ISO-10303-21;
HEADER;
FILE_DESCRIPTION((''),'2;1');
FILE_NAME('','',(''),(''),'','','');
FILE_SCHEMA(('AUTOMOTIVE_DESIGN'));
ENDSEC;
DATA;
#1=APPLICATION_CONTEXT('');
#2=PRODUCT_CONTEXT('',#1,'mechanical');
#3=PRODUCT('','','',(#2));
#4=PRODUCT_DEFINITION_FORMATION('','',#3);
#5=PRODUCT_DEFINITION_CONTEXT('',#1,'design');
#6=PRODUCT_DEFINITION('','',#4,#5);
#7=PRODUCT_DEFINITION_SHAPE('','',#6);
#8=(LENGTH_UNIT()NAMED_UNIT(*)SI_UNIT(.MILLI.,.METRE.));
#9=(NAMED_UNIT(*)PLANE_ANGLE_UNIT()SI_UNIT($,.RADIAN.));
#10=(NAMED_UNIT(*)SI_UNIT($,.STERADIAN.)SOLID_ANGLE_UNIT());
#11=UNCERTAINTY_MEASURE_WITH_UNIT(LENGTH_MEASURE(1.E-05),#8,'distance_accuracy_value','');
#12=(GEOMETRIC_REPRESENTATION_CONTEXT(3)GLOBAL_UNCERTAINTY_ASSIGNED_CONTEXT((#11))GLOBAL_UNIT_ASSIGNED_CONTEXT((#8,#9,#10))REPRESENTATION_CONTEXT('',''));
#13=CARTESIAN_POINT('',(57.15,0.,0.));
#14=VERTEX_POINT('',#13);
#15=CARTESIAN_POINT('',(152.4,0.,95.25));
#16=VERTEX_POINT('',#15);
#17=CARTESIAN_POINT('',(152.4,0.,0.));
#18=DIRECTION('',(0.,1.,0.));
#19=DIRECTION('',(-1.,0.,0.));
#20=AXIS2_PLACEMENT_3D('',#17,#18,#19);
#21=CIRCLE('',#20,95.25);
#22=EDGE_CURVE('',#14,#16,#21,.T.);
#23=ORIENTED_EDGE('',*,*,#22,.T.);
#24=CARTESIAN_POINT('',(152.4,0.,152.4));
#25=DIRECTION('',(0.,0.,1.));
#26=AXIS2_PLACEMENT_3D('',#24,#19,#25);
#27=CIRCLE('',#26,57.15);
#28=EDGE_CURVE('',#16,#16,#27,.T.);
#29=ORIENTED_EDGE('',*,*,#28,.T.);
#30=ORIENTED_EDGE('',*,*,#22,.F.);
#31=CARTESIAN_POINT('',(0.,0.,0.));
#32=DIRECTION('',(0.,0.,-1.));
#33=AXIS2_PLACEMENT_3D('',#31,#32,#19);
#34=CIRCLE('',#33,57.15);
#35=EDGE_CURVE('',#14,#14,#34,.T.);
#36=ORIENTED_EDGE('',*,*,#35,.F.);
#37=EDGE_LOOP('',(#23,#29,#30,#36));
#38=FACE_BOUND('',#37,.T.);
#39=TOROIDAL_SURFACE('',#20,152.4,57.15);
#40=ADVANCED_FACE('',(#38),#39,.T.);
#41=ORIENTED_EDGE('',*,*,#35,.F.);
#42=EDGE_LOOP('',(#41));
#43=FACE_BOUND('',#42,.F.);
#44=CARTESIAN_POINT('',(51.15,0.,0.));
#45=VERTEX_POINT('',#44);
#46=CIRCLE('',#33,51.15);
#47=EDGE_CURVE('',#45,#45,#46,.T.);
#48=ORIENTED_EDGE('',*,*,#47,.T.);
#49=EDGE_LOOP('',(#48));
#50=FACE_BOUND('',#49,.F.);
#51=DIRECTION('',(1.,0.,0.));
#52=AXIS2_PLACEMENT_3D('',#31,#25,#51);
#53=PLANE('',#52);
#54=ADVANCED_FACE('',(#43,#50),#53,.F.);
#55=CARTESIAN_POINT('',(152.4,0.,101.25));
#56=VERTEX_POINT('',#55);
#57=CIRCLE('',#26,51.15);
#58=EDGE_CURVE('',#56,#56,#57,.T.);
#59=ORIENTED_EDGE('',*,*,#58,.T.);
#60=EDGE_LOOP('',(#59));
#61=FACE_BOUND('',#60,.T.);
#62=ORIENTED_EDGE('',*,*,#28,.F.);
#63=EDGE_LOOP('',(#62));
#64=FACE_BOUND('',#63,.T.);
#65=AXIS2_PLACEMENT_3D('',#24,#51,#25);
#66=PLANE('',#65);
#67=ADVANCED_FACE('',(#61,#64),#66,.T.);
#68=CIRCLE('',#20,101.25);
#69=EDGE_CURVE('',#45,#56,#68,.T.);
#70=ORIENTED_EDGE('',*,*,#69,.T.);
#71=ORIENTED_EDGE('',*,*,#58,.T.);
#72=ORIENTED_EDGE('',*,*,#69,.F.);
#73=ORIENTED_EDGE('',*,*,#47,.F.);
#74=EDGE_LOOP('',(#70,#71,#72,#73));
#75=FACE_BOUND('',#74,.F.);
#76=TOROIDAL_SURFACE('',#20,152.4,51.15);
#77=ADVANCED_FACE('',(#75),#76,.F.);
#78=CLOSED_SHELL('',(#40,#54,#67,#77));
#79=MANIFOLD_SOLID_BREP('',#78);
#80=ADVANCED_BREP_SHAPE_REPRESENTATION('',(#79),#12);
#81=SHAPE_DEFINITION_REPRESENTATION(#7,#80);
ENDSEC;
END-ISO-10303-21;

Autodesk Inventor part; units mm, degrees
ref_plane "YZ Plane" through (0, 0, 0) normal (1, 0, 0) x (0, 1, 0)
ref_plane "XZ Plane" through (0, 0, 0) normal (0, 1, 0) x (-1, 0, 0)
ref_plane "XY Plane" through (0, 0, 0) normal (0, 0, 1) x (1, 0, 0)
sketch "Sketch1" plane through (0, 0, 0) normal (0, 0, 1) x (1, 0, 0)
  circle A0 centre (0, 0) radius 51.15
  circle A1 centre (0, 0) radius 57.15
  dimension "d0" = 102.3
  dimension "d1" = 114.3
sketch "Sketch2" plane through (0, 0, 0) normal (0, 1, 0) x (-1, 0, 0)
  line L0 (0, 0) -> (0, 152.4) construction
  line L1 (0, 152.4) -> (-152.4, 152.4) construction
  arc A0 (0, 0) -> (-152.4, 152.4) centre (-152.4, 0) ccw
  dimension "d2" = 152.4
  dimension "d3" = 90
  dimension "d4" = 152.4
sweep "Sweep1" add profiles "Sketch1" path "Sketch2"
equation "\"d0\" = D - 2 * T"
equation "\"d1\" = D"
equation "\"d2\" = F1"
equation "\"d4\" = F1"
equation "\"D\" = 114.3"
equation "\"F1\" = 152.4"
equation "\"T\" = 6"
equation "\"Size_Designation\" = 1.2345"
properties part number "JIS B 2312 90 Deg Long Elbow Steel 100A x Sch 40" material "Steel"
